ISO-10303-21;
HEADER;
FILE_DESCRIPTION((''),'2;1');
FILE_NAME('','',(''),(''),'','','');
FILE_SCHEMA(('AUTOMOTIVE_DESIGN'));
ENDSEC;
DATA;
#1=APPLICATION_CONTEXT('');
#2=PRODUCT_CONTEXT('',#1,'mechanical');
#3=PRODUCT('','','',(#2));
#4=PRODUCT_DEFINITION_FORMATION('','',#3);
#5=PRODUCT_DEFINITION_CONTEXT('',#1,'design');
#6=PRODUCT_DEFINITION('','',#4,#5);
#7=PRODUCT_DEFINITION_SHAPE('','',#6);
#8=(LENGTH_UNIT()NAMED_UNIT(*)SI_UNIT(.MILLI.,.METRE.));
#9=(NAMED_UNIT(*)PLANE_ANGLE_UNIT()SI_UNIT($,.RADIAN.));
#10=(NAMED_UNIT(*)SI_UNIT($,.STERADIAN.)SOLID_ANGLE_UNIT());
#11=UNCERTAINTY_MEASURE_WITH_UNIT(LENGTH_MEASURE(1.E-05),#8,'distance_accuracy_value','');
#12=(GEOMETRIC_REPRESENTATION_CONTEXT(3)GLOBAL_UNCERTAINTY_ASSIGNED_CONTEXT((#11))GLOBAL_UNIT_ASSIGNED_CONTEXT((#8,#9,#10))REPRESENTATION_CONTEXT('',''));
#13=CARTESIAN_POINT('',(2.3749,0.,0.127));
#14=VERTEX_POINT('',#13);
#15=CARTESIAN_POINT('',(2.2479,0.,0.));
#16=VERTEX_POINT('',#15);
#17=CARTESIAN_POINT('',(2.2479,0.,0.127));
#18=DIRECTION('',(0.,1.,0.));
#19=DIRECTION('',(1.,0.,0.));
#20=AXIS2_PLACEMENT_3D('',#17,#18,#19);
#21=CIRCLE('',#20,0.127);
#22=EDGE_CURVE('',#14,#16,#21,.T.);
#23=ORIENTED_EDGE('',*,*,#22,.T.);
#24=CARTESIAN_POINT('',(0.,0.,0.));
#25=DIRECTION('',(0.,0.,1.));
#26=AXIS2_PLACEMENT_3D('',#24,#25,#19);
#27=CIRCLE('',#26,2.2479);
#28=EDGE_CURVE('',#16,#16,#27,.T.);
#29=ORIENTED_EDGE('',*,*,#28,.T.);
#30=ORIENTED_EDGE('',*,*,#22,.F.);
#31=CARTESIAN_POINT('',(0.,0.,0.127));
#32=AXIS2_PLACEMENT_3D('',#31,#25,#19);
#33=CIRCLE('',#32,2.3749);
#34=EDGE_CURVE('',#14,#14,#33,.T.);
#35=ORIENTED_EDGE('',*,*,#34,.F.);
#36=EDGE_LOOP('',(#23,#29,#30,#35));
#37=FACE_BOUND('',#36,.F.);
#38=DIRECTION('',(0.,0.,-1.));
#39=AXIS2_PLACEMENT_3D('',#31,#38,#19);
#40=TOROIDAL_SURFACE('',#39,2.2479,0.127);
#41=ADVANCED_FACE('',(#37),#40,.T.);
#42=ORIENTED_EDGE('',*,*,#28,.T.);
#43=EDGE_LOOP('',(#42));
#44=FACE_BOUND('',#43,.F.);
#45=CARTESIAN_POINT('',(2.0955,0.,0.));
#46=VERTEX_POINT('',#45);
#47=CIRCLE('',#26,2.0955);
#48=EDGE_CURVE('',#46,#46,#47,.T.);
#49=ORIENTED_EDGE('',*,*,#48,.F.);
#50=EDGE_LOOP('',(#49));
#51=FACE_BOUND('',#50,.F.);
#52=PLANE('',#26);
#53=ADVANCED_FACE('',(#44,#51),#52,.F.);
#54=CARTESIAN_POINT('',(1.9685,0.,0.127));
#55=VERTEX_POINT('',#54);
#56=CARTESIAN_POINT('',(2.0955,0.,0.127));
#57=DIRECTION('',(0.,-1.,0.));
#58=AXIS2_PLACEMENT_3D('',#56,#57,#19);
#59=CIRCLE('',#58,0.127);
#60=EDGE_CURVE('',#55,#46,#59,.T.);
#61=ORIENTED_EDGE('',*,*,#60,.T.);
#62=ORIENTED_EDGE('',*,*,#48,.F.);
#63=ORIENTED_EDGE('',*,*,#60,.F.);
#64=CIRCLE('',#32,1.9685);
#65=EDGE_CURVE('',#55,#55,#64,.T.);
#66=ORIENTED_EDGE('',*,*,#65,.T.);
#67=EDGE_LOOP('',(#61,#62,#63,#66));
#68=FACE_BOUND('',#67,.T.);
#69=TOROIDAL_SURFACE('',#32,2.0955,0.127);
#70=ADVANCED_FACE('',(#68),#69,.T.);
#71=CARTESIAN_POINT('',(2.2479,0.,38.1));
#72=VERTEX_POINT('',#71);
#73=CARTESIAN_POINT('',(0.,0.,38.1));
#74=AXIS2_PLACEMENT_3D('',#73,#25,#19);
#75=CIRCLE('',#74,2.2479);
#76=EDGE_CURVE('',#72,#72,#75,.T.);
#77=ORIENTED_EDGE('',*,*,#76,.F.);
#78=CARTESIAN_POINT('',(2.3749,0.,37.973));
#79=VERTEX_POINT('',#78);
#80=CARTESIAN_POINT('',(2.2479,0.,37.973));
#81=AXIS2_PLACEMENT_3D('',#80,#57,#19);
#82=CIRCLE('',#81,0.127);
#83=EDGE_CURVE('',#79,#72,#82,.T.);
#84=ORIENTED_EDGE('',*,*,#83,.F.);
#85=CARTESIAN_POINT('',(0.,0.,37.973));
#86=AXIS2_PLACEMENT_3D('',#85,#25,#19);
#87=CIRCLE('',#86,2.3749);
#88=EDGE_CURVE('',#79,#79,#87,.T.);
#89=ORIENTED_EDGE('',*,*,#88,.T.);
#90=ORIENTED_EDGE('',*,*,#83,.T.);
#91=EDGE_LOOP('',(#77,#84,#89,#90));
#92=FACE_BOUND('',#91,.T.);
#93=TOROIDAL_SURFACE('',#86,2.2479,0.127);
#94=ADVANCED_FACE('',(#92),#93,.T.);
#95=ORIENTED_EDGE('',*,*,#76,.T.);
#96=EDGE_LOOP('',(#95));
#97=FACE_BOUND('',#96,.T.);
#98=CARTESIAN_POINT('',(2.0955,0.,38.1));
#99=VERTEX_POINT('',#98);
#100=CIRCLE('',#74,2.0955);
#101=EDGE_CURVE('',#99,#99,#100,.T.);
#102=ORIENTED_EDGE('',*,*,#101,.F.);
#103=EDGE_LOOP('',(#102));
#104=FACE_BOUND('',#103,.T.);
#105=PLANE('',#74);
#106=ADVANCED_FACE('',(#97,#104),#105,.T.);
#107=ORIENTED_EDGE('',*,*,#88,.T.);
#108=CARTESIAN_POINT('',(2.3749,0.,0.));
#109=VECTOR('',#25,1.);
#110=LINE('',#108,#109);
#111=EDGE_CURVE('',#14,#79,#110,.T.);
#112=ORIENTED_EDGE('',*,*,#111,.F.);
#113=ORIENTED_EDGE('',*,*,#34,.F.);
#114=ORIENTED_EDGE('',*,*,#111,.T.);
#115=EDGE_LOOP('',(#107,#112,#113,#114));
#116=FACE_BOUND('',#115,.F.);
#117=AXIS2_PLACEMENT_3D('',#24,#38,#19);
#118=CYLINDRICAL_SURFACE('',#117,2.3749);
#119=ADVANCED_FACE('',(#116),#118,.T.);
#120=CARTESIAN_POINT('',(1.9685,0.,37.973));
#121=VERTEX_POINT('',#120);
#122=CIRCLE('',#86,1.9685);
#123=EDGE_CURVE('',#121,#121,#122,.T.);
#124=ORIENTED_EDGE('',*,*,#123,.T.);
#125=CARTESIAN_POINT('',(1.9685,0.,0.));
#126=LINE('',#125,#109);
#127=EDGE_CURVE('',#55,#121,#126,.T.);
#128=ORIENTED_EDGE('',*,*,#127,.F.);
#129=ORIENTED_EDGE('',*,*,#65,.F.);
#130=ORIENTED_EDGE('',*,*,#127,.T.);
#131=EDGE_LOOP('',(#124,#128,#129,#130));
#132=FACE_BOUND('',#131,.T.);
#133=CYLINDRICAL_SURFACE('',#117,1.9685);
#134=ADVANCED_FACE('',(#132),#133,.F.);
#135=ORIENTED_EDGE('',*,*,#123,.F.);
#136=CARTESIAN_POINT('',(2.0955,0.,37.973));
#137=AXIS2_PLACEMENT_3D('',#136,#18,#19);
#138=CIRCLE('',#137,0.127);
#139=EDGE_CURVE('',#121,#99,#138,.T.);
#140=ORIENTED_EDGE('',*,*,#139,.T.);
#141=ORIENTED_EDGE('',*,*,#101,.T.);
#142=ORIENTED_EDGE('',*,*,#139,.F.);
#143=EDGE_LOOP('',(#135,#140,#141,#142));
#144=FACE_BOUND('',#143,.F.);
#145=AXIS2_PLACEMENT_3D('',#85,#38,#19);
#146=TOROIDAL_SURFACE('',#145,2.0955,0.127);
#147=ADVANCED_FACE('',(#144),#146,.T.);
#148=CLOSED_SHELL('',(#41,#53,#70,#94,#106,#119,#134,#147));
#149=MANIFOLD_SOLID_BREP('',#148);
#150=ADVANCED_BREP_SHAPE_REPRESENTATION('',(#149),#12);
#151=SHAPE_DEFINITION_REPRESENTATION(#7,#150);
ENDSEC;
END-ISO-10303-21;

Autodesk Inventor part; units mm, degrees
ref_plane "YZ Plane" through (0, 0, 0) normal (1, 0, 0) x (0, 1, 0)
ref_plane "XZ Plane" through (0, 0, 0) normal (0, 1, 0) x (-1, 0, 0)
ref_plane "XY Plane" through (0, 0, 0) normal (0, 0, 1) x (1, 0, 0)
sketch "Sketch1" plane through (0, 0, 0) normal (0, 0, 1) x (1, 0, 0)
  circle A0 centre (0, 0) radius 2.3749
  circle A1 centre (0, 0) radius 1.9685
  dimension "d0" = 4.7498
  dimension "d1" = 0.4064
extrude "Extrusion1" add sketch "Sketch1" along normal blind 38.1
fillet "Fillet1" radius 0.127 4 edges at (-2.3749, 0, 38.1) (-1.9685, 0, 38.1) (-1.9685, 0, 0) (-2.3749, 0, 0)
properties part number "Rudder_Hinge_Pipe"
